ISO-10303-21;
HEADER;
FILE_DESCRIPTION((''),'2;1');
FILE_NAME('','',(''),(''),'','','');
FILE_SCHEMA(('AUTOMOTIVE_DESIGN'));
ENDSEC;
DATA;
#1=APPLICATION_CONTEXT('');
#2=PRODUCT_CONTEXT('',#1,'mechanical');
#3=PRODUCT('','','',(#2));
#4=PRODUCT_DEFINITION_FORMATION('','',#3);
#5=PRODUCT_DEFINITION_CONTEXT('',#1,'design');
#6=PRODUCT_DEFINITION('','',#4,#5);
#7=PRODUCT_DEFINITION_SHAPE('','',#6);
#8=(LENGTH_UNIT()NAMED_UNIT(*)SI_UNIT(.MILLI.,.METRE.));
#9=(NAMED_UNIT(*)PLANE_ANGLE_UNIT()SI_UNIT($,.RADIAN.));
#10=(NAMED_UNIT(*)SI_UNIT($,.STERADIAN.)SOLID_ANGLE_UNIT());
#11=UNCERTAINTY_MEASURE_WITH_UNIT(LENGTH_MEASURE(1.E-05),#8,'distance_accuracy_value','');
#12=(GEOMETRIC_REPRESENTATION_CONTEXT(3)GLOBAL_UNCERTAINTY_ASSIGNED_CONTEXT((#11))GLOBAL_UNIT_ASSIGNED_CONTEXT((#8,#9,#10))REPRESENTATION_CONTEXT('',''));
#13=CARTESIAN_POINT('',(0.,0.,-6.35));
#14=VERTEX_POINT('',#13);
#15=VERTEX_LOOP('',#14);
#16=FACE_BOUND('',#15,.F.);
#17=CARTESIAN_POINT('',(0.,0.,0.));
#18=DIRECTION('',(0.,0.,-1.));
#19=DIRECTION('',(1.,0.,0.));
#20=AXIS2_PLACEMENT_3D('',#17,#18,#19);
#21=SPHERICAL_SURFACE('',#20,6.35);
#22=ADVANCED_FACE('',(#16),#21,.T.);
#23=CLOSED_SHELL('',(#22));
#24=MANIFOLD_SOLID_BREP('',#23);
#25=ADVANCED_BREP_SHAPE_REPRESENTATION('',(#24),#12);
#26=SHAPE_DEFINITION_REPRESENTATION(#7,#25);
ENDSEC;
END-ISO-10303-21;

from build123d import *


with BuildPart() as part:
    # Sketch1 → Revolve1 (revolve)
    with BuildSketch(Plane(origin=(0, 0, 0), x_dir=(1, 0, 0), z_dir=(0, 1, 0))):
        with BuildLine():
            Line((0, 6.35), (0, -6.35))
            ThreePointArc((0, -6.35), (6.35, 0), (0, 6.35))
        make_face()
    revolve(axis=Axis((0, 0, -6.35), (0, 0, 1)))


solid = part.part
